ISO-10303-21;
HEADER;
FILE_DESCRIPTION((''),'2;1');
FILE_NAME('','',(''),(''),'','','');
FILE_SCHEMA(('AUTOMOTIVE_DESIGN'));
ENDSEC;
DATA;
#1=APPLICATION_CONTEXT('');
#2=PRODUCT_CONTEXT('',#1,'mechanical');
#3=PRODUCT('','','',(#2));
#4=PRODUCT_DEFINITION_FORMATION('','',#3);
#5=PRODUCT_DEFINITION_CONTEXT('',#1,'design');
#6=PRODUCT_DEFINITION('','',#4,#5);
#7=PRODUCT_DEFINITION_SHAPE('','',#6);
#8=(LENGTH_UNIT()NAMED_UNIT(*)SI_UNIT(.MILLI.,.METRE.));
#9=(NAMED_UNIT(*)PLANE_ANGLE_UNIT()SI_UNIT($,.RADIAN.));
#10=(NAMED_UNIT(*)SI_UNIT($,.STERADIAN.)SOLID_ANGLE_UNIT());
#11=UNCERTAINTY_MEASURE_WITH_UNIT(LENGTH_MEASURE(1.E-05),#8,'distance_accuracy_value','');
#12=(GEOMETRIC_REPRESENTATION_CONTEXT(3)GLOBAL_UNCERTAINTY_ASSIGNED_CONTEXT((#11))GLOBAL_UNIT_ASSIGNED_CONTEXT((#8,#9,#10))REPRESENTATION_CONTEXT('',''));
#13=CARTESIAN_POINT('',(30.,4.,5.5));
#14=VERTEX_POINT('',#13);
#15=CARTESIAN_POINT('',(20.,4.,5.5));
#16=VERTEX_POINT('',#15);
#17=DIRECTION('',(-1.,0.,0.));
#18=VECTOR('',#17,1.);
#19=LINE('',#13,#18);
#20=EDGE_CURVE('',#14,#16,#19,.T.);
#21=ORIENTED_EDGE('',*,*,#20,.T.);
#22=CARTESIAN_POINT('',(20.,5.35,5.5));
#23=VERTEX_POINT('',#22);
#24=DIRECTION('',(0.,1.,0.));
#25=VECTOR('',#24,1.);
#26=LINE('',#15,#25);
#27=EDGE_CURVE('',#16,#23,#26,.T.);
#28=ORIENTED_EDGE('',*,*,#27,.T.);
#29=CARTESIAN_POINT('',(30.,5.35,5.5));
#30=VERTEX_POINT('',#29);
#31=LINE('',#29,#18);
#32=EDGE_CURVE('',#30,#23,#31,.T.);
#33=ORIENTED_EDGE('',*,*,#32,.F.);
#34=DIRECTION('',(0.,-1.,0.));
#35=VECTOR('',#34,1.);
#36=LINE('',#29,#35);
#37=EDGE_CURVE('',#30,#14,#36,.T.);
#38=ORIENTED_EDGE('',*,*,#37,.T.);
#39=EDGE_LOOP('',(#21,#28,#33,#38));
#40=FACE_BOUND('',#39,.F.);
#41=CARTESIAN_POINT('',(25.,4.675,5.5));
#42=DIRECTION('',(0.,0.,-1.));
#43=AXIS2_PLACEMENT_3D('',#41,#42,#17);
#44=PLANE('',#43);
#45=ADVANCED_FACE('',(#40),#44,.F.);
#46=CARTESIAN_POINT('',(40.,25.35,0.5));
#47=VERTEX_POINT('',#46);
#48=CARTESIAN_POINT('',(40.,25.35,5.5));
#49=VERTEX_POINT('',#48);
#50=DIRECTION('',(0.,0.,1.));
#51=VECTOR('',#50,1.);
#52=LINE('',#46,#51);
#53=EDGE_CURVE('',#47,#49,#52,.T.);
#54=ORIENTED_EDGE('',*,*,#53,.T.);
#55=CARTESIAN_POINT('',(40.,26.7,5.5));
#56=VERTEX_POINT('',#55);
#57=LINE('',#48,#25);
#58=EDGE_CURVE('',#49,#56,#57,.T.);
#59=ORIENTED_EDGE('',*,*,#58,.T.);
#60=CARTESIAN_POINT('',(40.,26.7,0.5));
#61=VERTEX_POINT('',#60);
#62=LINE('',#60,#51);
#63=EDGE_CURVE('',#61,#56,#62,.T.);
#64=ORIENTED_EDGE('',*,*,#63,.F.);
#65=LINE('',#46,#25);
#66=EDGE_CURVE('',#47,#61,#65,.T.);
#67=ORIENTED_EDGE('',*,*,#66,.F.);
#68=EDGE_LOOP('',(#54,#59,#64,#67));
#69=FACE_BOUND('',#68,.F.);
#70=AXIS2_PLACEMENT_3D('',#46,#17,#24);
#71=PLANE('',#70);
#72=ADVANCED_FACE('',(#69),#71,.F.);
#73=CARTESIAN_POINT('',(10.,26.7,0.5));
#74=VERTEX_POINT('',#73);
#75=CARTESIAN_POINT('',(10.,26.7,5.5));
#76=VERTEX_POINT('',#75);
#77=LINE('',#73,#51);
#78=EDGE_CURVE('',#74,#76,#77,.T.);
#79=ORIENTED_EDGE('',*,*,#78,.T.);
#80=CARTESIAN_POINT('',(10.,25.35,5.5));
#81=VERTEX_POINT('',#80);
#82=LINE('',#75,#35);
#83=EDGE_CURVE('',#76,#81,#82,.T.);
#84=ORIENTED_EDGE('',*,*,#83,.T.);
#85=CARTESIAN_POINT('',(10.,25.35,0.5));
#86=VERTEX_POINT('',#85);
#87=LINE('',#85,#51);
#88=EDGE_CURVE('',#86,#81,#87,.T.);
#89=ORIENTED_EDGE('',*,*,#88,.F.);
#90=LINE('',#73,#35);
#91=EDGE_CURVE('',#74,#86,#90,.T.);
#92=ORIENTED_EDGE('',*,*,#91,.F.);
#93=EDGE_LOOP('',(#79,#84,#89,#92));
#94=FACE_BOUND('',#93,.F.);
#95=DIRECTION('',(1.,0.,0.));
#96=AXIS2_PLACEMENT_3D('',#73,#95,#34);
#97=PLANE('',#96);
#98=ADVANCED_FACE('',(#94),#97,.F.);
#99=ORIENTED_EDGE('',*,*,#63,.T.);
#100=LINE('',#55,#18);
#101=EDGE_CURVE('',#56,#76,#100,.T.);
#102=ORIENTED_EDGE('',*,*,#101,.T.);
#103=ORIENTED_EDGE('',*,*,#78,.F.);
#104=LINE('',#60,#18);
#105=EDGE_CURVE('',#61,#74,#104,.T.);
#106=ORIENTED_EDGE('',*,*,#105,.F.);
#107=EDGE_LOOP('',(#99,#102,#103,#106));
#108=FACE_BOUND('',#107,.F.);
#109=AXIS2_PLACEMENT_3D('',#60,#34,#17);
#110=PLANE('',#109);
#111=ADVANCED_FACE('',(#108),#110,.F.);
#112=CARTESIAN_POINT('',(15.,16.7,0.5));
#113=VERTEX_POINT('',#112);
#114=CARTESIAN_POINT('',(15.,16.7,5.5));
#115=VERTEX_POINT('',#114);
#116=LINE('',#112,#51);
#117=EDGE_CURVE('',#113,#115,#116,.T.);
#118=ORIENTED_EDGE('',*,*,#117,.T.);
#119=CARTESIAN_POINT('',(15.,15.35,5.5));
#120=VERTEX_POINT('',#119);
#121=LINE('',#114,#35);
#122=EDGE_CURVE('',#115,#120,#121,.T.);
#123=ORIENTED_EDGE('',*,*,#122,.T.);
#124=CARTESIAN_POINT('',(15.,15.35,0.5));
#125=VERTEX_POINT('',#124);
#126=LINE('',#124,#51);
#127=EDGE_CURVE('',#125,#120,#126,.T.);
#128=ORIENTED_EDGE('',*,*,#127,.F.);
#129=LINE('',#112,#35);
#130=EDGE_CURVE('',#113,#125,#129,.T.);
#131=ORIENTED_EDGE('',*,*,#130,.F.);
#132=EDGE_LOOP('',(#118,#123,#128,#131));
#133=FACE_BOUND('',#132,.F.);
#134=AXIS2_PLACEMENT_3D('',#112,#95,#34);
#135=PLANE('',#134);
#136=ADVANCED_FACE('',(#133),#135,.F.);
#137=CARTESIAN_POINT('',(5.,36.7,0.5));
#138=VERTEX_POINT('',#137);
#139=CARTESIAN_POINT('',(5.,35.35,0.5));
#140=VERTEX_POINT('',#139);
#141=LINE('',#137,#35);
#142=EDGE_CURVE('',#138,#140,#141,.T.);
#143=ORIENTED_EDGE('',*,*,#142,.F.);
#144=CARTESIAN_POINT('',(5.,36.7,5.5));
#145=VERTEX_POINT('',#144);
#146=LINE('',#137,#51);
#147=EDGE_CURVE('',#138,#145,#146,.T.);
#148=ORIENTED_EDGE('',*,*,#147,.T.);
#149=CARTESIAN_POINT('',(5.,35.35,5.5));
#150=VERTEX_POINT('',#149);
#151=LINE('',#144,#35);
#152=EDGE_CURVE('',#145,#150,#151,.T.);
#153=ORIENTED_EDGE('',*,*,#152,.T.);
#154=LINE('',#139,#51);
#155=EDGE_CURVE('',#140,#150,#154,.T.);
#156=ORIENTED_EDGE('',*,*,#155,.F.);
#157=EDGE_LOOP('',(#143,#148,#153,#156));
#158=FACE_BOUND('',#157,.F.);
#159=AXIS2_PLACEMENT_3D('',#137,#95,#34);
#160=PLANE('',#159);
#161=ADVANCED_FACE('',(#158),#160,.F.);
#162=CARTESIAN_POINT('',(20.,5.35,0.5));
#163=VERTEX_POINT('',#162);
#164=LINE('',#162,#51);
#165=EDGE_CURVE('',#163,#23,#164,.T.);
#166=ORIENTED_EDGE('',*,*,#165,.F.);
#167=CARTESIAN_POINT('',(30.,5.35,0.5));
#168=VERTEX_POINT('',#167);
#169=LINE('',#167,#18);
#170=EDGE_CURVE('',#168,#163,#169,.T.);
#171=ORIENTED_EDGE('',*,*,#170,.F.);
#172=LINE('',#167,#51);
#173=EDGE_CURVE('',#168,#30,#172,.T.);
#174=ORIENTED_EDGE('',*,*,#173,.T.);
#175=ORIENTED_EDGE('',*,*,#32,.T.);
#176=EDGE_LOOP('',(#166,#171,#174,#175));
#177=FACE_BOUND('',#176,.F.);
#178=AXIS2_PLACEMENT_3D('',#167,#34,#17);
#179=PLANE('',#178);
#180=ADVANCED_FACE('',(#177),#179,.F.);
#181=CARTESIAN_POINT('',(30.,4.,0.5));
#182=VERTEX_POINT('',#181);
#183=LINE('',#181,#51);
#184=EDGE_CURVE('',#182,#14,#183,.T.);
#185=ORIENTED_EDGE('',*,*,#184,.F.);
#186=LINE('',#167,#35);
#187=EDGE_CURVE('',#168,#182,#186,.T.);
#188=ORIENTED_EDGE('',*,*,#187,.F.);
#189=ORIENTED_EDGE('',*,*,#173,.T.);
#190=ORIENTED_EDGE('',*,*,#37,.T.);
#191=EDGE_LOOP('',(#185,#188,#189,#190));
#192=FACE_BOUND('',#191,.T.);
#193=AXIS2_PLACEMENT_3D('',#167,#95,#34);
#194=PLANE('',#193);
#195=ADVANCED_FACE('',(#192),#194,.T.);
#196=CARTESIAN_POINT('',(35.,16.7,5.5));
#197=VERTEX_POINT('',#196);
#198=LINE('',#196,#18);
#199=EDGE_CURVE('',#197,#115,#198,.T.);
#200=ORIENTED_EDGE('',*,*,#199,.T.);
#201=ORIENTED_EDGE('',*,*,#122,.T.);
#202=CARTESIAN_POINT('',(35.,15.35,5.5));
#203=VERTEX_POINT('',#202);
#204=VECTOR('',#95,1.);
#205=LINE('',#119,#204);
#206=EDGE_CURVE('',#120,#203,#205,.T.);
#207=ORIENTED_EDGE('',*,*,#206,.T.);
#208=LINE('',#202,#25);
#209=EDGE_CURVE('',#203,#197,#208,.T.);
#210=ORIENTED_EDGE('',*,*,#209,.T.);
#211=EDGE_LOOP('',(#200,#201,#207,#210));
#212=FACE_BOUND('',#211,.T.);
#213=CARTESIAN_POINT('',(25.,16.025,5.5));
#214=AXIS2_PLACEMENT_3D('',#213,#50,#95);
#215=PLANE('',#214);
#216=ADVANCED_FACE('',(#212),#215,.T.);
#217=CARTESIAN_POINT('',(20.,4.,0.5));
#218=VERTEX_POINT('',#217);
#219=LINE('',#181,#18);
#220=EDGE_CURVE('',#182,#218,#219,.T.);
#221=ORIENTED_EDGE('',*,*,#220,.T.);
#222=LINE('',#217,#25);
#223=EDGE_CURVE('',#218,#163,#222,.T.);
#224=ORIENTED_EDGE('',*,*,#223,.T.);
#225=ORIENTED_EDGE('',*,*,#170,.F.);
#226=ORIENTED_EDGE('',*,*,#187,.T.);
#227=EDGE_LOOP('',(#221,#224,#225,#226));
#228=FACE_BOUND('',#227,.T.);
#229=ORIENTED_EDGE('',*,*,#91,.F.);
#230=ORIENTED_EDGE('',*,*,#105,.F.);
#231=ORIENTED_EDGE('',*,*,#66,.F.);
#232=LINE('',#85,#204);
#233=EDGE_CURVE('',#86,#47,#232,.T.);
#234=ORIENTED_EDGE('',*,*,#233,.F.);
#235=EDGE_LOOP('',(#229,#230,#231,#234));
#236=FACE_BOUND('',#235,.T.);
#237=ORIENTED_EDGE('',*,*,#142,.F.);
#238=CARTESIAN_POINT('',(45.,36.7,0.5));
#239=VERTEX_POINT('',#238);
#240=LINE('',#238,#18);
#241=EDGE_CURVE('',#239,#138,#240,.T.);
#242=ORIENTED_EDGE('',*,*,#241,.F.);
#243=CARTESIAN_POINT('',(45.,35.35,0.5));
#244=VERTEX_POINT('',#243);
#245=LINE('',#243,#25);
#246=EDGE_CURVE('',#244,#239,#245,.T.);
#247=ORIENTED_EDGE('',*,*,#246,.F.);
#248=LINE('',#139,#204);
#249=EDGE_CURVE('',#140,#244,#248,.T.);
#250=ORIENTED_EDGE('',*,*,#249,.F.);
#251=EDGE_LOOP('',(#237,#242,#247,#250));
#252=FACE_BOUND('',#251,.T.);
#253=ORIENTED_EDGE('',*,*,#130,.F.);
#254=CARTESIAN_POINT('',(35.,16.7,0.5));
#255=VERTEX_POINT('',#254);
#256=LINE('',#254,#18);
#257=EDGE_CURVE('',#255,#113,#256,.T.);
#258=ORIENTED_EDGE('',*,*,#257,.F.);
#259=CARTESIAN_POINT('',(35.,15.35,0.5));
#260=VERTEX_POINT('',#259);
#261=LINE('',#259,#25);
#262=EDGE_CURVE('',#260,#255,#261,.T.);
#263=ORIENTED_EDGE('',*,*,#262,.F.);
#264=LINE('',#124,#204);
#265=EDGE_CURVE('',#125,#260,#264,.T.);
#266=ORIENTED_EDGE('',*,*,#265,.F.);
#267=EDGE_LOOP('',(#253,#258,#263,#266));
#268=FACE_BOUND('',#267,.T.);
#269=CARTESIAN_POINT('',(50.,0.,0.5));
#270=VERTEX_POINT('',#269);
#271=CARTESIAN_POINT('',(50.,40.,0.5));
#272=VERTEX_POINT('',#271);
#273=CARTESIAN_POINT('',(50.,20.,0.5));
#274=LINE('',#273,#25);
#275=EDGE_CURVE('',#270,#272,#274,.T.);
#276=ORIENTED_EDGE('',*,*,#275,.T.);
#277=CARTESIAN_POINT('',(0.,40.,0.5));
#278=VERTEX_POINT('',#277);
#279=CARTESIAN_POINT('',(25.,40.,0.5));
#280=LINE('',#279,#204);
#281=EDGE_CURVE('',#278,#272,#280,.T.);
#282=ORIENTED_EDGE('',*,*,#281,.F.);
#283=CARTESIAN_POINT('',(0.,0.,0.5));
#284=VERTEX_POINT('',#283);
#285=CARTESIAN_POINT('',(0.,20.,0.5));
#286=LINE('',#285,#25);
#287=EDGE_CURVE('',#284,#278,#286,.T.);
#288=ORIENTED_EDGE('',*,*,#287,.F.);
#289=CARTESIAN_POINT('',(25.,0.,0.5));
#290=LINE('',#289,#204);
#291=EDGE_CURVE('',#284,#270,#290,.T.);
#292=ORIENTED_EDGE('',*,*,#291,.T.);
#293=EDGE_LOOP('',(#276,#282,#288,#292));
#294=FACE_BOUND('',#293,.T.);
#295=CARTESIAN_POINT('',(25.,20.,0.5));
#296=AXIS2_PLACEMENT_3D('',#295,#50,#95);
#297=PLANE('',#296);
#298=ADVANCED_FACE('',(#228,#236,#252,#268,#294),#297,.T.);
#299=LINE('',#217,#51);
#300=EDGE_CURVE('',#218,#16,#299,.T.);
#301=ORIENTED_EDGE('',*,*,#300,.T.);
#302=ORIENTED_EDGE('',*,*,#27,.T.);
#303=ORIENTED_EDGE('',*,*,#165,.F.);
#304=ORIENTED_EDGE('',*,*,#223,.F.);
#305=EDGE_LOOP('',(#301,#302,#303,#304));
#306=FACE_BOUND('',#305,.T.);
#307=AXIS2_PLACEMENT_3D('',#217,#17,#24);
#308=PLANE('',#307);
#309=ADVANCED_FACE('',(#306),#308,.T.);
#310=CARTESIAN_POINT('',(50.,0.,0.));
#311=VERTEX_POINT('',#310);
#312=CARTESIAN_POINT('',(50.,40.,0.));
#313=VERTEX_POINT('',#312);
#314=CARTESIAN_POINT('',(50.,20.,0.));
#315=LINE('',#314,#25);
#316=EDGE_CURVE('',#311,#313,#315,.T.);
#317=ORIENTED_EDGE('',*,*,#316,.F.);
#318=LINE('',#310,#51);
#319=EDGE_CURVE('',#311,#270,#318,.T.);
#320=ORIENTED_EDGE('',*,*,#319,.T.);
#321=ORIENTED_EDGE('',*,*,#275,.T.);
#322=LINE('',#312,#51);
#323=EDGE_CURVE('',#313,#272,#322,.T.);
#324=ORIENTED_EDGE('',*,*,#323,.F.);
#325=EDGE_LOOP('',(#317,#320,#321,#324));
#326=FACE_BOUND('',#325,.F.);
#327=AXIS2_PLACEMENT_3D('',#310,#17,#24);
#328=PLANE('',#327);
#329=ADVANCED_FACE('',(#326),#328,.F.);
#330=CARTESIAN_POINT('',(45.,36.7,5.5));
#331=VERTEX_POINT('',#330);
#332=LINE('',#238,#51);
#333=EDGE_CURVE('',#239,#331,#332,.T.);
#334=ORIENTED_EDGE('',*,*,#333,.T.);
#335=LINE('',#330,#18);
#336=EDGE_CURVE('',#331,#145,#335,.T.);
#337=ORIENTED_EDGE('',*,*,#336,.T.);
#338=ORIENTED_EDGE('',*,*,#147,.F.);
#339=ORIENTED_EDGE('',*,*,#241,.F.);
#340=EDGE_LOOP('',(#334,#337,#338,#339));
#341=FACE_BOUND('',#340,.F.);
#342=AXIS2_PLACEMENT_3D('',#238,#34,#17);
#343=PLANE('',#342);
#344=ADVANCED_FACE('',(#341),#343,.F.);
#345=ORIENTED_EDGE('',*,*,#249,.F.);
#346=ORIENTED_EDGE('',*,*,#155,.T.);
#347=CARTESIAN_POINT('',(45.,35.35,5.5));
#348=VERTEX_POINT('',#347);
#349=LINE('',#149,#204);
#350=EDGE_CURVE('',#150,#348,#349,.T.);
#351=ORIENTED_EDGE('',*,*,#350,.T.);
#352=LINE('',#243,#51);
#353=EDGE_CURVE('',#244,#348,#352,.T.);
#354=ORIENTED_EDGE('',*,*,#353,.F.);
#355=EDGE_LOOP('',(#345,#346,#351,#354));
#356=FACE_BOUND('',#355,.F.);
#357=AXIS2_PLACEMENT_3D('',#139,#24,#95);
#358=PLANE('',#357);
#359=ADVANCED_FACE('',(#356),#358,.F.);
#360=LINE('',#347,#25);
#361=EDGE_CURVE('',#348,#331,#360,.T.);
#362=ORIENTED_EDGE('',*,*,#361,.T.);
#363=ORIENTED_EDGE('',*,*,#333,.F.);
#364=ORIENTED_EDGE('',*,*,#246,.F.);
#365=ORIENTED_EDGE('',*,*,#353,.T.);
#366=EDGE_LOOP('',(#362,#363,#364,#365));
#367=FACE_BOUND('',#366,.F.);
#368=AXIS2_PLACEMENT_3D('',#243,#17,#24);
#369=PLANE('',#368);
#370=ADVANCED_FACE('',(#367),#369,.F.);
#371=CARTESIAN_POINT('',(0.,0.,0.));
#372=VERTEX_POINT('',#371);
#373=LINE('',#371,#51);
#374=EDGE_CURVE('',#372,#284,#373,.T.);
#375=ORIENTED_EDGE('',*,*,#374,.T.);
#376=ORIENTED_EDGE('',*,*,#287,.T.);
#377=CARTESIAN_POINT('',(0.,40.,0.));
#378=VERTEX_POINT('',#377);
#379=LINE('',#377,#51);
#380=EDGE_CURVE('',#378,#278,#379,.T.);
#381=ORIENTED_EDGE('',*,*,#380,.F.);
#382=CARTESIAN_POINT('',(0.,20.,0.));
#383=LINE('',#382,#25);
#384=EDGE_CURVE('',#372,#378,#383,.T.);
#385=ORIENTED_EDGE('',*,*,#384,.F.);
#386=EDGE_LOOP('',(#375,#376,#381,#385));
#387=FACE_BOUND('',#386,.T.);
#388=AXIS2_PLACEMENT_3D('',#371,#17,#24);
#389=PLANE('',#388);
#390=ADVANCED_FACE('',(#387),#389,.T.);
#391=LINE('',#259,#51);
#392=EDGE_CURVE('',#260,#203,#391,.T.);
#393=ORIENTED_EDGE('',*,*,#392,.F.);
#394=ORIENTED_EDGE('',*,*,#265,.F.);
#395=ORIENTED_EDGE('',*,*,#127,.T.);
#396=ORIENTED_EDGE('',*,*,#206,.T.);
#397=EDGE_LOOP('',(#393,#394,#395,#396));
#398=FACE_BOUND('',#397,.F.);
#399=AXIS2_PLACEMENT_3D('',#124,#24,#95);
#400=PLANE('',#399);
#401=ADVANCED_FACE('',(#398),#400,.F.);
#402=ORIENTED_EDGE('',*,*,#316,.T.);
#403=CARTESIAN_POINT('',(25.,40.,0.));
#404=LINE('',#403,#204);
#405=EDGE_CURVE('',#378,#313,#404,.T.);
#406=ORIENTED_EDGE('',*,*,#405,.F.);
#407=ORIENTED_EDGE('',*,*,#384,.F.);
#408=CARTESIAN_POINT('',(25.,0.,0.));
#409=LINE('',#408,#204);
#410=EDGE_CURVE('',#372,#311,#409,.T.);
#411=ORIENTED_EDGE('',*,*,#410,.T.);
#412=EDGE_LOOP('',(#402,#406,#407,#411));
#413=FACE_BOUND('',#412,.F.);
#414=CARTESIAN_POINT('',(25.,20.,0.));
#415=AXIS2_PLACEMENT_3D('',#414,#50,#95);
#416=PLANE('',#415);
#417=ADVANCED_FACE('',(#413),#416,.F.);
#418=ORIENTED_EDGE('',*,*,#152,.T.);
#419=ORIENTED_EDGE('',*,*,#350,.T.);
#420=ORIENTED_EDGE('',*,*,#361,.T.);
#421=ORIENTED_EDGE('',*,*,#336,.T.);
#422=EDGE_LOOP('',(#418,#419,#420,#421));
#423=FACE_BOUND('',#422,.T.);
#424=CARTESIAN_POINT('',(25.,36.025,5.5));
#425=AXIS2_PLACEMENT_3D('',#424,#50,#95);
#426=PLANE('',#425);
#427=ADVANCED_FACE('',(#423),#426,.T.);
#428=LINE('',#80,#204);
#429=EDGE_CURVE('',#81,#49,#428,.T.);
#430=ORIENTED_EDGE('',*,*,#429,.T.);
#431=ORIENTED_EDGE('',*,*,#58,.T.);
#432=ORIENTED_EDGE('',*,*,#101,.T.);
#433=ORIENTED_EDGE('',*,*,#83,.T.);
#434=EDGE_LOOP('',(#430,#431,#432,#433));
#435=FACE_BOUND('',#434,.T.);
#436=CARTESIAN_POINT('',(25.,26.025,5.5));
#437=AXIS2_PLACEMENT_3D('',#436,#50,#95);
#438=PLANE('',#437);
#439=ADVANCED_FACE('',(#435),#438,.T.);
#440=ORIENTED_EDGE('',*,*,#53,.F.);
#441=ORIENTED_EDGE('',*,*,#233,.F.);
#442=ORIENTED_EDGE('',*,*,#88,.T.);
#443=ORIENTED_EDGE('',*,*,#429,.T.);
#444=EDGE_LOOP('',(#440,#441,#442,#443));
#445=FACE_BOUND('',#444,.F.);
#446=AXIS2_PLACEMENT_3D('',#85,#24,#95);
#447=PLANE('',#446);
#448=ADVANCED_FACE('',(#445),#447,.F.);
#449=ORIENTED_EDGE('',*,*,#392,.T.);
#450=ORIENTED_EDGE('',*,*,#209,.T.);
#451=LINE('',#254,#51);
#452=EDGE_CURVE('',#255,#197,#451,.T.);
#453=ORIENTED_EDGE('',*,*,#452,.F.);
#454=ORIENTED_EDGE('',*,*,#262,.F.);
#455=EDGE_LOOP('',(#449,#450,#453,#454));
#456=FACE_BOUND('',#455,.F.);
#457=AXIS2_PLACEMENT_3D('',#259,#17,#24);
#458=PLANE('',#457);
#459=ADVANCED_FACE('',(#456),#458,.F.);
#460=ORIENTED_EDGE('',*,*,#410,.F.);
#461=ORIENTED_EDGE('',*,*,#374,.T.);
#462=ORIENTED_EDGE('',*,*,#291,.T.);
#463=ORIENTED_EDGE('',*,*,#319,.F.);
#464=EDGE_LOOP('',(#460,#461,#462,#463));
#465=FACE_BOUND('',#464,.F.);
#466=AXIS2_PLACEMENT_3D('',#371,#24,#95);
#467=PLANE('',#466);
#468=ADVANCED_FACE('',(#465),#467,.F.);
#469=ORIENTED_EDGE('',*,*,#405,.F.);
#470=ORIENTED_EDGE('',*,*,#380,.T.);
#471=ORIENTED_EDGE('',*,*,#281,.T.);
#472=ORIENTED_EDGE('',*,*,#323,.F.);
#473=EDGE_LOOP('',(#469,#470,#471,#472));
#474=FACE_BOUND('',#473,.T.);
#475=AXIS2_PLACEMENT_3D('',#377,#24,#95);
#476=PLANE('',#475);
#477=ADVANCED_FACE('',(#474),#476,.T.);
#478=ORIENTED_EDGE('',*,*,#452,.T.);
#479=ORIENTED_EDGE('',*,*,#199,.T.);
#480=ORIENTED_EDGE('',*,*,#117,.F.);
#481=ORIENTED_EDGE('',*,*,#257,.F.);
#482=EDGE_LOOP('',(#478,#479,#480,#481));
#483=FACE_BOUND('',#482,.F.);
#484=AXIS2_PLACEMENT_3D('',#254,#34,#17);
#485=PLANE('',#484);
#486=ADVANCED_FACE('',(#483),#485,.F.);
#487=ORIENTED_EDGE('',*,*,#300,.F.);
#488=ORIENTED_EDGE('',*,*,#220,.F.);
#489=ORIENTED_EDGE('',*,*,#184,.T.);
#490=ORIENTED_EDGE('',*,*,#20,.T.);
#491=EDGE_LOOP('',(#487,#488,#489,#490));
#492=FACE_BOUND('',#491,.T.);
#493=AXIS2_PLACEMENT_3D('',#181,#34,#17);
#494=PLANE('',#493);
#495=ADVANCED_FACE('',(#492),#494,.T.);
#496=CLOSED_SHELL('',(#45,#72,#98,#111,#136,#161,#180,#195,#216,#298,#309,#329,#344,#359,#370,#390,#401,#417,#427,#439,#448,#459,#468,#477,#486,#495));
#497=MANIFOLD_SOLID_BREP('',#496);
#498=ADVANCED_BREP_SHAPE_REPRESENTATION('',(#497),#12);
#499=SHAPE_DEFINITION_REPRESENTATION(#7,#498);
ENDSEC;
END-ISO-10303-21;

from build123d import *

# Parameters (mm, degrees)
SKETCH_W     = 50
SKETCH_H     = 40
PAD_DEPTH    = 0.5
PAD001_DEPTH = 5


with BuildPart() as part:
    # Sketch → Pad (new body)
    with BuildSketch(Plane.XY):
        with Locations((25, 20)):
            Rectangle(SKETCH_W, SKETCH_H)
    extrude(amount=PAD_DEPTH)

    # Sketch001 (on Face6 of Pad) → Pad001 (join)
    with BuildSketch(Plane.XY.offset(0.5)):
        Polygon((30, 5.35), (30, 4), (20, 4), (20, 5.35), (25, 5.35), align=None)
        Polygon((35, 15.35), (35, 16.7), (25, 16.7), (15, 16.7), (15, 15.35), (25, 15.35), align=None)
        Polygon((40, 25.35), (40, 26.7), (25, 26.7), (10, 26.7), (10, 25.35), (25, 25.35), align=None)
        Polygon((5, 35.35), (45, 35.35), (45, 36.7), (25, 36.7), (5, 36.7), align=None)
    extrude(amount=PAD001_DEPTH)


solid = part.part
